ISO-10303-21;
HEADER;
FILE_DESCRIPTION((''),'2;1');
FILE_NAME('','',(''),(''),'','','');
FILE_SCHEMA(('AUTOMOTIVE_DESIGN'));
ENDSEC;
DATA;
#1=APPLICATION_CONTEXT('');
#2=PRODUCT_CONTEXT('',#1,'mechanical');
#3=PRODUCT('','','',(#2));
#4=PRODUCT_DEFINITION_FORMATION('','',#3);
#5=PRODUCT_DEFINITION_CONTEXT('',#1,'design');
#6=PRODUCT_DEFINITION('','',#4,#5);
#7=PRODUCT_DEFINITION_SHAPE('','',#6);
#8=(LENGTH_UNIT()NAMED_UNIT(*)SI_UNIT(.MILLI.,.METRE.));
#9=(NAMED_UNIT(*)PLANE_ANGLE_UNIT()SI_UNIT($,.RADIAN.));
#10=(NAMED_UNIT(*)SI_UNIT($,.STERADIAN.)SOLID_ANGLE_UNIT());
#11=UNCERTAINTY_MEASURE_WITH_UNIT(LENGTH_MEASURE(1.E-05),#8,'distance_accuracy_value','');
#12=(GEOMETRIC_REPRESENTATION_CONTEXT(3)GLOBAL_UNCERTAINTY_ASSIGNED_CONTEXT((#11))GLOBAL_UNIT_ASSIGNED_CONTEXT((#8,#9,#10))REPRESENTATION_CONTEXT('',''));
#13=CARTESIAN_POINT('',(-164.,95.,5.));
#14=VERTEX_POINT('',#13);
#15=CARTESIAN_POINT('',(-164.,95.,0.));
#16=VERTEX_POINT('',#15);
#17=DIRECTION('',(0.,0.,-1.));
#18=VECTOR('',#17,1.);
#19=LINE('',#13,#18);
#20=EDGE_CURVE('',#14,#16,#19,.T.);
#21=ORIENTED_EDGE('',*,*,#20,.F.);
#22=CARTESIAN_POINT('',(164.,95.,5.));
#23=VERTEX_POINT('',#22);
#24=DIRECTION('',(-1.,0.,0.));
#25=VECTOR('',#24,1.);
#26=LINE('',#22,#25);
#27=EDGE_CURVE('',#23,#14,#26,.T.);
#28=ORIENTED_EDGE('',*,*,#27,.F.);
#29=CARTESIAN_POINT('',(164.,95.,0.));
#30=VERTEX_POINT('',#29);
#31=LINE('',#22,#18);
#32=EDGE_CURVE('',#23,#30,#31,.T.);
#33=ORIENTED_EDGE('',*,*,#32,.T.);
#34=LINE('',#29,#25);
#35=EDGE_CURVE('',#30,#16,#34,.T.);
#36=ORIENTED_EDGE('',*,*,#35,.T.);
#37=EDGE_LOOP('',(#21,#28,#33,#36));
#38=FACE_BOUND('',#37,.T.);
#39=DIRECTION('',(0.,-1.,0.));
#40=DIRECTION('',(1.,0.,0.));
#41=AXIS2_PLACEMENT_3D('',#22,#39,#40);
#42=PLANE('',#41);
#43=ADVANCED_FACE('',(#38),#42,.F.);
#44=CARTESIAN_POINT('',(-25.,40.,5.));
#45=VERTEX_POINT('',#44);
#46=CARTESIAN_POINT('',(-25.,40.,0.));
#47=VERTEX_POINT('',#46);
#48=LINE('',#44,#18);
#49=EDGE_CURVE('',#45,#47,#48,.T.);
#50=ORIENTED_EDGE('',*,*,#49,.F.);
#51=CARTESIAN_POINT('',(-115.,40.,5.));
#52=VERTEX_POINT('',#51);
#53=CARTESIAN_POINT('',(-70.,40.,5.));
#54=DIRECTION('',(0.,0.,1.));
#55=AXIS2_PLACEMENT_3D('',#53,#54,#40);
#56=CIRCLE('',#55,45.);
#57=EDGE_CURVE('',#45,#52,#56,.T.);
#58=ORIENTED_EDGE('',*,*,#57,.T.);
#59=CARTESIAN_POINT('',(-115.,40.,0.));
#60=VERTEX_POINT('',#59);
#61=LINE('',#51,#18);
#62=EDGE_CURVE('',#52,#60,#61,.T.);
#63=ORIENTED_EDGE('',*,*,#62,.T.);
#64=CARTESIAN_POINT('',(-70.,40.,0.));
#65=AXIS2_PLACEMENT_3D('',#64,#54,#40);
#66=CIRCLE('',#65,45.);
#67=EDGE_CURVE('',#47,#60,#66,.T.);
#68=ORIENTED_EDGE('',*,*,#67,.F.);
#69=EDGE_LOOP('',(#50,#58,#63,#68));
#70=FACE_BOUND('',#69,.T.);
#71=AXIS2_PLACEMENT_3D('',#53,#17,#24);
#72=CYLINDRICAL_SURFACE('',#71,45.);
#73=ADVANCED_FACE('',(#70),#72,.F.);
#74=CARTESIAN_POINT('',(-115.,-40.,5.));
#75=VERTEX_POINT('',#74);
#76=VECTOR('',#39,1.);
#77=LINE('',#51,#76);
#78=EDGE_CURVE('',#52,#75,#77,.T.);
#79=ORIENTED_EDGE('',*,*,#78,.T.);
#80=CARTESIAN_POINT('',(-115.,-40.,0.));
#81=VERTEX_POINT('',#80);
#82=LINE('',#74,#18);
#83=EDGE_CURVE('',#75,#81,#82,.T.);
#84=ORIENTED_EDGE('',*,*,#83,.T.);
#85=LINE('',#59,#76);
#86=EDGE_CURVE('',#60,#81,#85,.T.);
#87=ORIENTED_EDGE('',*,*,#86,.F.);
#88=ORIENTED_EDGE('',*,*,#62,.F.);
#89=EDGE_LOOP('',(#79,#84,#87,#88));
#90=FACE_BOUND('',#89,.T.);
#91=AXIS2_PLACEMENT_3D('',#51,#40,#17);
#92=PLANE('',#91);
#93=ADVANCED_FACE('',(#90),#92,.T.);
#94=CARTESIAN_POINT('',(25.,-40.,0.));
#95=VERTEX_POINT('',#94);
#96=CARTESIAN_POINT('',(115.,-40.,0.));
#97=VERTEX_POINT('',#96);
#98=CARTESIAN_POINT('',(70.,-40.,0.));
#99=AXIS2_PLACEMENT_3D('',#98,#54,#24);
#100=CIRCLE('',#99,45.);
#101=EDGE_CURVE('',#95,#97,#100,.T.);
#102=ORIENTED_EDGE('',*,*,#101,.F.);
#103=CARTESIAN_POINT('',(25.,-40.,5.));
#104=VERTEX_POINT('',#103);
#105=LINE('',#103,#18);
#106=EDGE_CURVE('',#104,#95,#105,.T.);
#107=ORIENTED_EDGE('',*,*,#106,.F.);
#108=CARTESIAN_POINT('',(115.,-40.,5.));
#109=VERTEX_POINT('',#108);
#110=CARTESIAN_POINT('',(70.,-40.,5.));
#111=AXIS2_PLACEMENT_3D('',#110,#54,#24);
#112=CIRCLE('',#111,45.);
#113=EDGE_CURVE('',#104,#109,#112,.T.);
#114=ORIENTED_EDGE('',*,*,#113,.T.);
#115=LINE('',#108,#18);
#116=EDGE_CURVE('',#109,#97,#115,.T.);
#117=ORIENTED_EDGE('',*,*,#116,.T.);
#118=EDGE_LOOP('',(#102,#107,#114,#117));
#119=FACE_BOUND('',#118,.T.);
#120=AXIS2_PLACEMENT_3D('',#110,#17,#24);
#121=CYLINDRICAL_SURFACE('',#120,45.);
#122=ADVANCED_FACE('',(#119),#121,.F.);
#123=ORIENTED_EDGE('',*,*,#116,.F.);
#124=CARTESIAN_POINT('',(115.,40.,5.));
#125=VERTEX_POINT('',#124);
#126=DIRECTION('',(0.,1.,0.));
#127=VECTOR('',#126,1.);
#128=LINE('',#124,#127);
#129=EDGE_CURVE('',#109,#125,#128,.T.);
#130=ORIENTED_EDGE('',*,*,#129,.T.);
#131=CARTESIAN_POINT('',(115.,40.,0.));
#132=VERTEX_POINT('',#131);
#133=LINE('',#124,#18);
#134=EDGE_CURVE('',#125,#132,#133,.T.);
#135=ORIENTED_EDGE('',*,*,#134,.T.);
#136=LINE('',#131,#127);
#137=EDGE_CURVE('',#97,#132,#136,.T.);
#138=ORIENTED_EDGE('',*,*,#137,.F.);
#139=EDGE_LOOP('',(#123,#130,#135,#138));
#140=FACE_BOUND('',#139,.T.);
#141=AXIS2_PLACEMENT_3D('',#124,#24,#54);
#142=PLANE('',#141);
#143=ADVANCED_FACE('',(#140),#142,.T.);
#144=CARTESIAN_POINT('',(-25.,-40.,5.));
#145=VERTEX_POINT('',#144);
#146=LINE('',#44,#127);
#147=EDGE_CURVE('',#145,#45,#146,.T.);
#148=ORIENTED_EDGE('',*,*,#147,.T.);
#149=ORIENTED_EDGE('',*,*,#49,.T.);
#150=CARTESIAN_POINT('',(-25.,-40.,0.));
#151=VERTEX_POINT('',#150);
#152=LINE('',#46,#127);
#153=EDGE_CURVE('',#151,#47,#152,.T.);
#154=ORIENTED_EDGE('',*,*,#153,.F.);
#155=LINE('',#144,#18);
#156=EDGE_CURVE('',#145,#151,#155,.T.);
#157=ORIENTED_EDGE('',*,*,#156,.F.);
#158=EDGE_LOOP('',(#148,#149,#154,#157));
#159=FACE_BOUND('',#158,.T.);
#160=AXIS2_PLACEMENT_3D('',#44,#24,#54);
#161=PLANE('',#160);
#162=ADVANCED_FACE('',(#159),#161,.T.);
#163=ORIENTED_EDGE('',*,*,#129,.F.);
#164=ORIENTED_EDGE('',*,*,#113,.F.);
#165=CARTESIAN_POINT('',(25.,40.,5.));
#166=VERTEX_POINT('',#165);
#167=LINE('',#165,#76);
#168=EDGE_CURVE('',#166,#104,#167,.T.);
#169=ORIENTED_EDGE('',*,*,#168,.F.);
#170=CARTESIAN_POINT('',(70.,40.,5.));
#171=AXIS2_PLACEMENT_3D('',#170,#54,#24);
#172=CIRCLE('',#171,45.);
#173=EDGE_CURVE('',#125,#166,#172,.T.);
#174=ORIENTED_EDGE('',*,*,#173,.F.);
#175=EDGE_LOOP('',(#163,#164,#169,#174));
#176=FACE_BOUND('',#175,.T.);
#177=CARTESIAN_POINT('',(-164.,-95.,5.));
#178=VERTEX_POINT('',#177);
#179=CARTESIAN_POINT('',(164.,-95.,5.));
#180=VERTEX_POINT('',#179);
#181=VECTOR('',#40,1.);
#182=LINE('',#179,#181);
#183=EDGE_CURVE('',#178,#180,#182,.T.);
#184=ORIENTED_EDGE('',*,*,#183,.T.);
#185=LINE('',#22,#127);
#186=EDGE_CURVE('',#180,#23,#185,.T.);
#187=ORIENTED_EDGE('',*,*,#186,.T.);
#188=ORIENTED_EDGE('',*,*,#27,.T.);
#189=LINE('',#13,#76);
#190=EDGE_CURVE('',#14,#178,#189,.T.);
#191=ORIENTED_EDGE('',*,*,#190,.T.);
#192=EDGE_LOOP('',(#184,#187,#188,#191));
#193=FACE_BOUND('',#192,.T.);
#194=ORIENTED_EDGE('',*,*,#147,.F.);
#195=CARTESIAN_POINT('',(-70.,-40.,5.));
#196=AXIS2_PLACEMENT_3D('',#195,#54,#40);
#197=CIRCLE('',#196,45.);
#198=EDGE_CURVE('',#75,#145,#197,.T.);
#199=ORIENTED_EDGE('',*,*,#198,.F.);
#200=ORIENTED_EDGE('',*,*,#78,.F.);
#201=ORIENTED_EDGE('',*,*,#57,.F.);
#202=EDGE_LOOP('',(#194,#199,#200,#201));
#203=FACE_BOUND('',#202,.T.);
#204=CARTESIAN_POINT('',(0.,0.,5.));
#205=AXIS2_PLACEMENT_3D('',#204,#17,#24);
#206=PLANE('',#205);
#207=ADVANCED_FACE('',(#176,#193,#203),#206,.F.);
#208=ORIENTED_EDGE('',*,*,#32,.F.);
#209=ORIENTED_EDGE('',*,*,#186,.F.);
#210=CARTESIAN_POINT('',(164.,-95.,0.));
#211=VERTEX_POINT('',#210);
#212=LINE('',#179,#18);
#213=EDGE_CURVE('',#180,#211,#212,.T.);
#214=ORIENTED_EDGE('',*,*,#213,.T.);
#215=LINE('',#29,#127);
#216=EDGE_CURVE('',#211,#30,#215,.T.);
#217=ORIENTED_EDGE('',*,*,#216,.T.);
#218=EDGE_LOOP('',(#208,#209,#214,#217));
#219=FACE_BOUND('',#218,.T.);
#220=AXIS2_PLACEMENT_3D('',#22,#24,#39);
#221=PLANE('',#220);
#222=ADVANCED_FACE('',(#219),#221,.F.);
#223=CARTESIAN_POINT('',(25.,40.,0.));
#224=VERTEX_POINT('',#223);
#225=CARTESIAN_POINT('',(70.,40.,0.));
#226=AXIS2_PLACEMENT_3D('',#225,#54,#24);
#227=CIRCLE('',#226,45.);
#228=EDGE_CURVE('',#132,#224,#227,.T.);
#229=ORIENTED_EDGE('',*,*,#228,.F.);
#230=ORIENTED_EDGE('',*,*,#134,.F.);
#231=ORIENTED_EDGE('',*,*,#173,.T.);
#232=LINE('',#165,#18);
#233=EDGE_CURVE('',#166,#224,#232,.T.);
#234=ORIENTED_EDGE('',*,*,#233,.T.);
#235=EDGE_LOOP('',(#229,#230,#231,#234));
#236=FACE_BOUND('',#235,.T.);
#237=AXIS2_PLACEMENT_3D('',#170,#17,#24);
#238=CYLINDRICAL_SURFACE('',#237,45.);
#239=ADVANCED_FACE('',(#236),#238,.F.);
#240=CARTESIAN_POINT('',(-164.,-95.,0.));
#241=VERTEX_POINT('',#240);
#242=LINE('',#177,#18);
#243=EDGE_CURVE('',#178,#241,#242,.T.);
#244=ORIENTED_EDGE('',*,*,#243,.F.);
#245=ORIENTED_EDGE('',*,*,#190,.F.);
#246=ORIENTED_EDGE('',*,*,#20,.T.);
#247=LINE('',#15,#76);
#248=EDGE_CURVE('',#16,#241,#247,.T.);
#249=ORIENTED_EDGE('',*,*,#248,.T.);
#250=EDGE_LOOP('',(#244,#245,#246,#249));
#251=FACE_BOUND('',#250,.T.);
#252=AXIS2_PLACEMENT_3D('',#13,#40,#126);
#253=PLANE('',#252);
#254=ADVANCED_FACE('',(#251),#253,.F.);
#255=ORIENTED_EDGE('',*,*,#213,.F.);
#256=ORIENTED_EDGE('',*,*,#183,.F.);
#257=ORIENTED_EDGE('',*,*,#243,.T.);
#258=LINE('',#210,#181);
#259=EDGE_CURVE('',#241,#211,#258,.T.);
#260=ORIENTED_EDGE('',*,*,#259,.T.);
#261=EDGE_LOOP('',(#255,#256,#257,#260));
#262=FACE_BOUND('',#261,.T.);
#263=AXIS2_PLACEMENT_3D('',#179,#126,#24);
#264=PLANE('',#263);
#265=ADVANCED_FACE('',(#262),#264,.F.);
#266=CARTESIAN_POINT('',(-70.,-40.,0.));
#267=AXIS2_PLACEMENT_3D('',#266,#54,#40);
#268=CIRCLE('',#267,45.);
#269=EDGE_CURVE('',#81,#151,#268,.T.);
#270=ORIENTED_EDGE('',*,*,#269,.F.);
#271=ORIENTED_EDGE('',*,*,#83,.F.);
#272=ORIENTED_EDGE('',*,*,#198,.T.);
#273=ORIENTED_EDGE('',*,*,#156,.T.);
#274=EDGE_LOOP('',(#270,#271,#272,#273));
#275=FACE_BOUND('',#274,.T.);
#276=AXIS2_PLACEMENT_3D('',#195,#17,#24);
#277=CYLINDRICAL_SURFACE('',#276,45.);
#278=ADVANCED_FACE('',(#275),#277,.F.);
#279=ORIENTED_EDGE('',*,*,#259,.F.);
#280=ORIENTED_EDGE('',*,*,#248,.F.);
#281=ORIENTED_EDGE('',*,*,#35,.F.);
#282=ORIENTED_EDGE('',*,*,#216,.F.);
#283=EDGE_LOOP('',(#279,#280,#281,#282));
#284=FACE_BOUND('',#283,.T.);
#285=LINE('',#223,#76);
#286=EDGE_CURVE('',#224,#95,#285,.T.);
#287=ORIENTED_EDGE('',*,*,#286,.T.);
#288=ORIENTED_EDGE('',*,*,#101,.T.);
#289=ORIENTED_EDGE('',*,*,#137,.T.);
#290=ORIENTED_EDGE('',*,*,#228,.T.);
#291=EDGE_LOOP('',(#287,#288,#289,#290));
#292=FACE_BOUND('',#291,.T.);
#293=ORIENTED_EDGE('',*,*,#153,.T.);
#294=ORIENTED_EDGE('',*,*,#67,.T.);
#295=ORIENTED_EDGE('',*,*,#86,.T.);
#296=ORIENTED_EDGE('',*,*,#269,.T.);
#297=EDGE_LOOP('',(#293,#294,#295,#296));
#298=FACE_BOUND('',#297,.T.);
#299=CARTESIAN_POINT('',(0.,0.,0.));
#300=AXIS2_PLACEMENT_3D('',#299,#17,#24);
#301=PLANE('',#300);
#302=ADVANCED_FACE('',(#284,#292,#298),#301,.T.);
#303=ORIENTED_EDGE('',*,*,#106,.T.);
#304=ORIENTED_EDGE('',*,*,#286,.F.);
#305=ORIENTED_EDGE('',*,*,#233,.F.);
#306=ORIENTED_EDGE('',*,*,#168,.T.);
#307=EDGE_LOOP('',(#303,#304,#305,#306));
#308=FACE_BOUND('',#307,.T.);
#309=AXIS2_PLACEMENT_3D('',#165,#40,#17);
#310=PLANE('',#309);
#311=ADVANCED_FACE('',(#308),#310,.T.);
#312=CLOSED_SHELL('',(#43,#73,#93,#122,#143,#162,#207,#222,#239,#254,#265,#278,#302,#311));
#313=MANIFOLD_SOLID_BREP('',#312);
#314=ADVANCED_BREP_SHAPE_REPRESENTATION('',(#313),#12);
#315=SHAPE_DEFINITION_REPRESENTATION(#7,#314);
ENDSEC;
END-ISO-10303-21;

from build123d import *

# Parameters (mm, degrees)
SKETCH_1_W      = 328
SKETCH_1_H      = 190
EXTRUDE_1_DEPTH = 5


with BuildPart() as part:
    # Эскиз1 → Бобышка-Вытянуть1 (new body)
    with BuildSketch(Plane.XY):
        Rectangle(SKETCH_1_W, SKETCH_1_H)
        with BuildLine():
            Line((-25, 40), (-25, -40))
            ThreePointArc((-25, -40), (-70, -85), (-115, -40))
            Line((-115, -40), (-115, 40))
            ThreePointArc((-115, 40), (-70, 85), (-25, 40))
        make_face(mode=Mode.SUBTRACT)
        with BuildLine():
            Line((25, 40), (25, -40))
            ThreePointArc((25, -40), (70, -85), (115, -40))
            Line((115, -40), (115, 40))
            ThreePointArc((115, 40), (70, 85), (25, 40))
        make_face(mode=Mode.SUBTRACT)
    extrude(amount=EXTRUDE_1_DEPTH)


solid = part.part
